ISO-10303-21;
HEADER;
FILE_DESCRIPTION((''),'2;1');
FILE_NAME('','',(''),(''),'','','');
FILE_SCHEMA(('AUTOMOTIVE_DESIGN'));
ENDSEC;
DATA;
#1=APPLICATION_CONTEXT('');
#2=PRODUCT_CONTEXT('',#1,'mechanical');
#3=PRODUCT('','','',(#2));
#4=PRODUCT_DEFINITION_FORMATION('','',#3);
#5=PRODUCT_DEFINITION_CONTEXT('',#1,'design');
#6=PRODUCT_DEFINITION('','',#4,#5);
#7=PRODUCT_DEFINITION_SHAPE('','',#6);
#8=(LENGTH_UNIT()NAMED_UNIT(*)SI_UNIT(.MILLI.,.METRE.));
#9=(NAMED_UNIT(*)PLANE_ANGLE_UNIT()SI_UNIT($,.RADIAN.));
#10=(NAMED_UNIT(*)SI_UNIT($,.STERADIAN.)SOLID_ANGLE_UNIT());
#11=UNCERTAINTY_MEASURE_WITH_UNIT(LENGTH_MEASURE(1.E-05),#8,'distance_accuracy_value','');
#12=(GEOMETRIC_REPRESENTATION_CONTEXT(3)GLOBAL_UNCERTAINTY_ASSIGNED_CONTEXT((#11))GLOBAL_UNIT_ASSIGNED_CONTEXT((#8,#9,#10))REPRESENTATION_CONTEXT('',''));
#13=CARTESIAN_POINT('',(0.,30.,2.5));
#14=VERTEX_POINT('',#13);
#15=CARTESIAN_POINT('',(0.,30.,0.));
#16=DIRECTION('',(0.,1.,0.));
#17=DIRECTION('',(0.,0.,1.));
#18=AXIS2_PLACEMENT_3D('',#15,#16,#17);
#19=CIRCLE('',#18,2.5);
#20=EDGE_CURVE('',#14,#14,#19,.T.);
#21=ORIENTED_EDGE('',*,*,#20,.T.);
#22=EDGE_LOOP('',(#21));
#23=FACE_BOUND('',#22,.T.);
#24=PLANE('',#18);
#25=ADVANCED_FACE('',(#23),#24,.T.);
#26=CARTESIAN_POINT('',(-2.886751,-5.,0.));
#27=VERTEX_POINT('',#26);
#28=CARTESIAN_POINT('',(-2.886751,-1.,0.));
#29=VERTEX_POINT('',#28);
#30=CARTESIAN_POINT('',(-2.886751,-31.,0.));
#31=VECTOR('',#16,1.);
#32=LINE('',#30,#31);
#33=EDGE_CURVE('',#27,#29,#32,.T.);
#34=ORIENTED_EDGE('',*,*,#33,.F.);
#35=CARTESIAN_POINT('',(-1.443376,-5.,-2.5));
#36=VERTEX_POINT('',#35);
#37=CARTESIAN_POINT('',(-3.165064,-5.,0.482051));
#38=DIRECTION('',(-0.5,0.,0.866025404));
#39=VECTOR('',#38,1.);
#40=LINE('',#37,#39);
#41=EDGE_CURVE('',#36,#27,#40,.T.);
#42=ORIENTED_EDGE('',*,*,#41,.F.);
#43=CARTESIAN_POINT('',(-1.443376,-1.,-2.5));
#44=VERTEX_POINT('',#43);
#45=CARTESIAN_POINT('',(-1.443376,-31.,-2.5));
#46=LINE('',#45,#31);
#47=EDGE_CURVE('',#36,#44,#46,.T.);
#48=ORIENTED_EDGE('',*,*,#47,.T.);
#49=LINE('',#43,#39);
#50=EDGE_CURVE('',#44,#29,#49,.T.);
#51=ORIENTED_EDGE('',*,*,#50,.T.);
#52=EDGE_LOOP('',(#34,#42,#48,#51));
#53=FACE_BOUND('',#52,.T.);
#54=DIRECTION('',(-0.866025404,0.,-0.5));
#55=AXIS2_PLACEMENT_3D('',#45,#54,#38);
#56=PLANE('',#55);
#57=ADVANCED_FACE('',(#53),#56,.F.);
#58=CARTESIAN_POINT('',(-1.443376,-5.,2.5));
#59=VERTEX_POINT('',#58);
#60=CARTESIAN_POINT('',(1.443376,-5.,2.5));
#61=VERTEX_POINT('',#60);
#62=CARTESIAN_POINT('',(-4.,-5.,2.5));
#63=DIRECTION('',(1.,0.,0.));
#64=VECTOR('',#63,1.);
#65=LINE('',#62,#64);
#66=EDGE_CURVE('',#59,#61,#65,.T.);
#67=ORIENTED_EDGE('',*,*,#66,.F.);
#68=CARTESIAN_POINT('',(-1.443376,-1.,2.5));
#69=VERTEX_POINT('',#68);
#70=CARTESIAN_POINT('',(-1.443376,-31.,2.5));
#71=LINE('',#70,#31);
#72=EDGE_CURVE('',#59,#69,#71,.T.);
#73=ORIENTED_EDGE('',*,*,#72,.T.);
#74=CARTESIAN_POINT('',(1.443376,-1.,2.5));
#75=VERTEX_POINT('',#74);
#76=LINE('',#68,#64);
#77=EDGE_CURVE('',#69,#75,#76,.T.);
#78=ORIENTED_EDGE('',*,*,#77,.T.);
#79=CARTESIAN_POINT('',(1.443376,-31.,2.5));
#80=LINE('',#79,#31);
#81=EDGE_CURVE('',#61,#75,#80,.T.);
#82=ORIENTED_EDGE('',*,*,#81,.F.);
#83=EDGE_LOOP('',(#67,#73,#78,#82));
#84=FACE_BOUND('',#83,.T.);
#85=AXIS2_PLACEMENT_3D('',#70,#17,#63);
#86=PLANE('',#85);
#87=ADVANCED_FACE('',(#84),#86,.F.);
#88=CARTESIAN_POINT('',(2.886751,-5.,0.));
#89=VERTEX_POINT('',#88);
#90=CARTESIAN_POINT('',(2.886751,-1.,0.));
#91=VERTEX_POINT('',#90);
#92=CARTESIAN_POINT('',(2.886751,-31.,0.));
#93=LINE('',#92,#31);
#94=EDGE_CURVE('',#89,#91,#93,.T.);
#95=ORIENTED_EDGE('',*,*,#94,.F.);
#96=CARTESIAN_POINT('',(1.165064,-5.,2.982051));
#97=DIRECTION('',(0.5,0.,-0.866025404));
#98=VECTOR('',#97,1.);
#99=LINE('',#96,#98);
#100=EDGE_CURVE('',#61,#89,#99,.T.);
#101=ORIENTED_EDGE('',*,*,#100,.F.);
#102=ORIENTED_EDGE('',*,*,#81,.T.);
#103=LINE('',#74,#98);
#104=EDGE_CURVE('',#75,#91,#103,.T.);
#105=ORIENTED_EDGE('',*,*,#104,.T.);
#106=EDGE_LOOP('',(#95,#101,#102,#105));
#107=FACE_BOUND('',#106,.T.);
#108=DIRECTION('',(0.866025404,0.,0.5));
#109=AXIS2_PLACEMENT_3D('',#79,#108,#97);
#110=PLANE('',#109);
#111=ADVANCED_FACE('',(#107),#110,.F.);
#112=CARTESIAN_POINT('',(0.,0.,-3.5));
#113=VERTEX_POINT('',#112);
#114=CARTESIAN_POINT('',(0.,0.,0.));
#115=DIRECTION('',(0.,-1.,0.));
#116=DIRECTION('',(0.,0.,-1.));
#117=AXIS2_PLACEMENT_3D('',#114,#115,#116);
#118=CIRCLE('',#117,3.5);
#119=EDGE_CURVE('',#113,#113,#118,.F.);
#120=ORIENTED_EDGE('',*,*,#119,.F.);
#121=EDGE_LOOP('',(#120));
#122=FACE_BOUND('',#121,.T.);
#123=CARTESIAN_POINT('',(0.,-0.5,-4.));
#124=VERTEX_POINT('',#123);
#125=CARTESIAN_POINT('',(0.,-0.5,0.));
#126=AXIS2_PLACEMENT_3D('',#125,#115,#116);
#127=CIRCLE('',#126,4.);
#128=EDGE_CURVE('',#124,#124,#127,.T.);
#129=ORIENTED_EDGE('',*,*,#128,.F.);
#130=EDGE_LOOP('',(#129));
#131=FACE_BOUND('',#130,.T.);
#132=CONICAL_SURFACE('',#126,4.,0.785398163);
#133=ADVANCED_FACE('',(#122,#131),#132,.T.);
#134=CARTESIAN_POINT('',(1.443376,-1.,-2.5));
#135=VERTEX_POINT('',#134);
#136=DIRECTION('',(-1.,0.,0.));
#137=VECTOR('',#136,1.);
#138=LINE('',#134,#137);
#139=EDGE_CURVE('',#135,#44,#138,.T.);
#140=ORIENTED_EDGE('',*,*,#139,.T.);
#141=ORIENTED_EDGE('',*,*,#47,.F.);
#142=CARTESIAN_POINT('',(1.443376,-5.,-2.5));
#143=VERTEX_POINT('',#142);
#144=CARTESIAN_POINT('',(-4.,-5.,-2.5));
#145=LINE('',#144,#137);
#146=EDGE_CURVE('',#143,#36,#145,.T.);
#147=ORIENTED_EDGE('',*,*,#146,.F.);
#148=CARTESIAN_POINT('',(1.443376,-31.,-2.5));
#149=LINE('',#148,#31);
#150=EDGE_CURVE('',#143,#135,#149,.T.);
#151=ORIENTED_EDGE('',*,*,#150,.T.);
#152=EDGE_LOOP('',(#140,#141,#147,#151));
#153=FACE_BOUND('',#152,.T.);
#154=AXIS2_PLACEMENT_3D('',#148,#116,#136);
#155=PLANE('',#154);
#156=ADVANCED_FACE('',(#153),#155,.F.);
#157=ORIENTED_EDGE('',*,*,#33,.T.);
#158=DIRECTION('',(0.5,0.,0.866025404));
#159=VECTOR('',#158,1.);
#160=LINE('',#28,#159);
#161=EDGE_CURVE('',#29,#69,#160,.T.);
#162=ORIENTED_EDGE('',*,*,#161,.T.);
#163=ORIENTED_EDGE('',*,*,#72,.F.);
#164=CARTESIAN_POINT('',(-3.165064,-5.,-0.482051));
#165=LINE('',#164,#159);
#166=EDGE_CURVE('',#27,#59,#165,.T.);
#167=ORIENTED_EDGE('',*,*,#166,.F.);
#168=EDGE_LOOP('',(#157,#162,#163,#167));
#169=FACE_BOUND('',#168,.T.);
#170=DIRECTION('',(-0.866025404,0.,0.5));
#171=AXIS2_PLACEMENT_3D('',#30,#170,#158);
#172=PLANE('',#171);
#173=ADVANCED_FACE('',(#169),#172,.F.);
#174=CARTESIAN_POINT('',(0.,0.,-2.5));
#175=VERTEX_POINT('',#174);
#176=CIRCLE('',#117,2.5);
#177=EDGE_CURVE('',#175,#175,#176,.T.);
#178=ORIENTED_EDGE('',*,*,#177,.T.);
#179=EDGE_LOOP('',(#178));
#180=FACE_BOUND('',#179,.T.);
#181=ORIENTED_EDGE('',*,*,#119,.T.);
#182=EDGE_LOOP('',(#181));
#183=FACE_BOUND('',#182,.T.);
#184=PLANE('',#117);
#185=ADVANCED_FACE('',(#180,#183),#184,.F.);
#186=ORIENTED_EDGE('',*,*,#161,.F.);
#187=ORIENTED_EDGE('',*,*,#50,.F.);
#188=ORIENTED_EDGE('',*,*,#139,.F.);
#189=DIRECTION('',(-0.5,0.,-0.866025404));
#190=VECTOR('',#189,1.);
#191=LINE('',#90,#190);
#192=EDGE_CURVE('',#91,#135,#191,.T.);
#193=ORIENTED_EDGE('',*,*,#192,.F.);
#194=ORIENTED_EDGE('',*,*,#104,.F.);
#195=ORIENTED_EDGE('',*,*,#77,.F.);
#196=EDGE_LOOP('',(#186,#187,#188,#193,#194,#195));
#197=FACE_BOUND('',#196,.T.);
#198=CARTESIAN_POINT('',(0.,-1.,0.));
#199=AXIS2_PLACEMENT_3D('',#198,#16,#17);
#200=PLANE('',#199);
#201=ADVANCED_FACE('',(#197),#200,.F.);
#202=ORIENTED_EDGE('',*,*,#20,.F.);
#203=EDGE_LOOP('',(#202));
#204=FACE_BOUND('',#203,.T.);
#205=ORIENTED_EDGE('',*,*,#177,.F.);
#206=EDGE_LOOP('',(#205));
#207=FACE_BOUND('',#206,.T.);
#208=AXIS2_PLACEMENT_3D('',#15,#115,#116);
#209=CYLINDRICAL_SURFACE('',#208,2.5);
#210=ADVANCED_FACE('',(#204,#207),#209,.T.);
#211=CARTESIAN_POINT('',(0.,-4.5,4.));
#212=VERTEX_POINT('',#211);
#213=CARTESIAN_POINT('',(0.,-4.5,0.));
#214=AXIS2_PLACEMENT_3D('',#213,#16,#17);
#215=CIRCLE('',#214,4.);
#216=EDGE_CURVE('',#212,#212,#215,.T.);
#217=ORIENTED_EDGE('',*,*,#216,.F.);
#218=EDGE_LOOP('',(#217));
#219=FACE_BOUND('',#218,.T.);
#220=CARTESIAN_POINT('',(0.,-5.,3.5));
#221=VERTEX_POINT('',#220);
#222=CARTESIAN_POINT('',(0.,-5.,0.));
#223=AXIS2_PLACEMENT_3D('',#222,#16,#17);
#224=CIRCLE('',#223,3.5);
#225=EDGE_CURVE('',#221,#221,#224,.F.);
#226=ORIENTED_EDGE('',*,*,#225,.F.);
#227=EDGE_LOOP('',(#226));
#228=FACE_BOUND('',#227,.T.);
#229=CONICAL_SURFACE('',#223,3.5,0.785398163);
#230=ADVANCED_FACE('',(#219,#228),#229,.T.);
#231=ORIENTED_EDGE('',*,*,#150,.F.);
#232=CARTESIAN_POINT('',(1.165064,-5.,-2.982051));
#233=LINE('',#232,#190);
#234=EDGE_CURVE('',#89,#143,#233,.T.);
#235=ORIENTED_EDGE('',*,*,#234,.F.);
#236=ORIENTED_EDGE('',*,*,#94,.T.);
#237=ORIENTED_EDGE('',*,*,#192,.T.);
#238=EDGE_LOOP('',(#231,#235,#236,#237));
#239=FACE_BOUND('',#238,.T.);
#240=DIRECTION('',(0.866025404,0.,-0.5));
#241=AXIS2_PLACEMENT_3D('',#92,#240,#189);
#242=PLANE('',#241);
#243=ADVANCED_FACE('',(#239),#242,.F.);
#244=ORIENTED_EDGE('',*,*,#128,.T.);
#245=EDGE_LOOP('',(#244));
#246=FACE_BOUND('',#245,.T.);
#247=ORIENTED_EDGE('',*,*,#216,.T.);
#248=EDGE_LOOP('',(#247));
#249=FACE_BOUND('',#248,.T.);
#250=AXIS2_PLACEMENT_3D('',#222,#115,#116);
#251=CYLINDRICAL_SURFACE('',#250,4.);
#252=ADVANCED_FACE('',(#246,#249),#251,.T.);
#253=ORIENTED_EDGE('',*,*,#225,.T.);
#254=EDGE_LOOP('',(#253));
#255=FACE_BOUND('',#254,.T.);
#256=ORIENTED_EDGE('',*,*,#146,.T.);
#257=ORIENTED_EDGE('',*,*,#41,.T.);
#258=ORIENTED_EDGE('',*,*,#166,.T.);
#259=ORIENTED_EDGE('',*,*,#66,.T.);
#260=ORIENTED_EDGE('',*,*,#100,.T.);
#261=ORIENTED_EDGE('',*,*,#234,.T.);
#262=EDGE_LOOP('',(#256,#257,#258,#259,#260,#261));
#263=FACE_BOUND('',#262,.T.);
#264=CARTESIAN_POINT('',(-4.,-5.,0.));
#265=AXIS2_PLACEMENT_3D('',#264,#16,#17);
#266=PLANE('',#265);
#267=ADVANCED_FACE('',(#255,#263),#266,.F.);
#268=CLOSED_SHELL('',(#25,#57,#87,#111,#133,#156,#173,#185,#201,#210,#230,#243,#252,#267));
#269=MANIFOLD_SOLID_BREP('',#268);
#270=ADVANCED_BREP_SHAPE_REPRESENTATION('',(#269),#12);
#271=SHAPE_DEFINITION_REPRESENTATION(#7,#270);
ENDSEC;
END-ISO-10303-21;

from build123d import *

# Parameters (mm, degrees)
SKETCH1_R           = 2.5
BOSS_EXTRUDE1_DEPTH = 30
SKETCH3_W           = 4
SKETCH3_H           = 5
CUT_EXTRUDE1_START  = -1
CUT_EXTRUDE1_DEPTH  = 30
CHAMFER1_SIZE       = 0.5


with BuildPart() as part:
    # Sketch1 → Boss-Extrude1 (new body)
    with BuildSketch(Plane(origin=(0, 0, 0), x_dir=(1, 0, 0), z_dir=(0, 1, 0))):
        with Locations(Location((0, 0, 0), (0, 0, 270))):
            Circle(SKETCH1_R)
    extrude(amount=BOSS_EXTRUDE1_DEPTH)

    # Sketch3 → Revolve1 (revolve)
    with BuildSketch(Plane.XY, mode=Mode.PRIVATE) as revolve1_sk:
        with Locations((-2, -2.5)):
            Rectangle(SKETCH3_W, SKETCH3_H)
    revolve(revolve1_sk.sketch.rotate(Axis((0, -5, 0), (0, 1, 0)), 270), axis=Axis((0, -5, 0), (0, 1, 0)))

    # Sketch4 → Cut-Extrude1 (cut)
    with BuildSketch(Plane(origin=(0, 0, 0), x_dir=(1, 0, 0), z_dir=(0, 1, 0)).offset(CUT_EXTRUDE1_START)):
        Polygon((2.886751346, 0), (1.443375673, 2.5), (-1.443375673, 2.5), (-2.886751346, 0), (-1.443375673, -2.5), (1.443375673, -2.5), align=None)
    extrude(amount=-CUT_EXTRUDE1_DEPTH, mode=Mode.SUBTRACT)

    # Chamfer1
    chamfer1_edges = [part.edges().sort_by_distance(p)[0] for p in [
        (0, 0, 4),
        (0, -5, 4),
    ]]
    chamfer(chamfer1_edges, length=CHAMFER1_SIZE)


solid = part.part
